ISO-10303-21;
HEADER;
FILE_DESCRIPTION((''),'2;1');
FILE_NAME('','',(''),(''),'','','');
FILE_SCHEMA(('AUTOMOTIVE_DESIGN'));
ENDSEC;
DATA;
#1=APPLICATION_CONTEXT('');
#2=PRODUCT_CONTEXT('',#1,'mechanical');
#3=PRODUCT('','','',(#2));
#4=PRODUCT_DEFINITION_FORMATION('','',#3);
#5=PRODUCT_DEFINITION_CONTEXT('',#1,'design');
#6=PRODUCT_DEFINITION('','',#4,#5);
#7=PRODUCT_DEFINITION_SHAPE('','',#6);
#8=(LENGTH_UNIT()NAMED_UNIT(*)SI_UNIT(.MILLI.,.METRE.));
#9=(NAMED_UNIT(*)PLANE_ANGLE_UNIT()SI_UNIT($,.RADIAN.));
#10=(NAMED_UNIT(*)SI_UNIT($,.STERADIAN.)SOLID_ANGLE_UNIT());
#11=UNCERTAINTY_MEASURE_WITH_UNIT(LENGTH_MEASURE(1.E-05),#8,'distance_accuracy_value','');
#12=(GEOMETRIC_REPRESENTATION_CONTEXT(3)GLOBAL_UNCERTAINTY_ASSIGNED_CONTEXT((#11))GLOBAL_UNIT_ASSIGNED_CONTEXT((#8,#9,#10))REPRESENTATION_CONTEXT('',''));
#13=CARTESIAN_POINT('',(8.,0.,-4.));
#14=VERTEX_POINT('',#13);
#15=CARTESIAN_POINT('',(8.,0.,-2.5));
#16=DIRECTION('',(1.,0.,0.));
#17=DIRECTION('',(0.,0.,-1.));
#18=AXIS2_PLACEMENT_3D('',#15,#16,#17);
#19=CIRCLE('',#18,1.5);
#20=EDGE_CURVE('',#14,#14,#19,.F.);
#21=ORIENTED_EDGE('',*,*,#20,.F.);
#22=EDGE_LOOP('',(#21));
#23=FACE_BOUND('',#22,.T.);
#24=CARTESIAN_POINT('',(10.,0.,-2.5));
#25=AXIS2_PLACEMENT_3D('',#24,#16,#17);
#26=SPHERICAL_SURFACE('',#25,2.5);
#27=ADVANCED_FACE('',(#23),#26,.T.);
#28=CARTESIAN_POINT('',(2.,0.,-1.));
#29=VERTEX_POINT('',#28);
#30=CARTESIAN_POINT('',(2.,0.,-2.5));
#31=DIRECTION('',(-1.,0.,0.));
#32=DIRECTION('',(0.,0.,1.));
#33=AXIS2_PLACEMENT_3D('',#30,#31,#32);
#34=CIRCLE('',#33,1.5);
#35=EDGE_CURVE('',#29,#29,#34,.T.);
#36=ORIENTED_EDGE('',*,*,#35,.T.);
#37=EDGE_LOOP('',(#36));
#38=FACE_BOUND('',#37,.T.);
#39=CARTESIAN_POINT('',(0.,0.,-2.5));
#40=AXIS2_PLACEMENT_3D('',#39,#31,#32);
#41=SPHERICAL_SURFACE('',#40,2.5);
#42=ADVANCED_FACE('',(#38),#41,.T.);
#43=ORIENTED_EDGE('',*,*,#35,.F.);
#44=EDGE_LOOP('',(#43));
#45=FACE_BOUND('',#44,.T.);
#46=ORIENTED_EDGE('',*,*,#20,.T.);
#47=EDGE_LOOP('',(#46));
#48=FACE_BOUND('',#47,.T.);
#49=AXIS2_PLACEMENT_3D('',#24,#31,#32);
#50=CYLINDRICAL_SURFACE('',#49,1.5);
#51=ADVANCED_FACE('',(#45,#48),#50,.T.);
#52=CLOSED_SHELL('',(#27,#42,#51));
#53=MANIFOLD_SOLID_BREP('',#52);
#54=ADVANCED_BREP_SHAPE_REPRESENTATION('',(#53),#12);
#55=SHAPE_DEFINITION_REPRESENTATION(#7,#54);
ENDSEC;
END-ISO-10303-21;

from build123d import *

# Parameters (mm, degrees)
SKETCH5_R   = 1.5
SHAFT_DEPTH = 10


with BuildPart() as part:
    # Sketch4 → Semi-circle Revolve (revolve)
    with BuildSketch(Plane(origin=(0, 0, 0), x_dir=(0, 0, -1), z_dir=(1, 0, 0))):
        with BuildLine():
            Line((0, 0), (2.5, 0))
            Line((2.5, 0), (2.5, -2.5))
            ThreePointArc((2.5, -2.5), (0.732233047, -1.767766953), (0, 0))
        make_face()
    semi_circle_revolve = revolve(axis=Axis((0, 0, -2.5), (0, -1, 0)))

    # Full-circle Mirror: Semi-circle Revolve across plane
    add(semi_circle_revolve.mirror(Plane(origin=(0, 0, 0), x_dir=(0, 0, 1), z_dir=(0, -1, 0))))

    # Sketch5 → Shaft (add)
    with BuildSketch(Plane(origin=(0, 0, 0), x_dir=(0, 0, -1), z_dir=(1, 0, 0))):
        with Locations(Location((2.5, 0, 0), (0, 0, 180))):
            Circle(SKETCH5_R)
    extrude(amount=SHAFT_DEPTH)

    # Sketch6 → Opposite Semi-circle Revolve (revolve)
    with BuildSketch(Plane(origin=(10, 0, 0), x_dir=(0, 0, -1), z_dir=(1, 0, 0))):
        with BuildLine():
            Line((0, 0), (2.5, 0))
            Line((2.5, 0), (2.5, -2.5))
            ThreePointArc((2.5, -2.5), (0.732233047, -1.767766953), (0, 0))
        make_face()
    opposite_semi_circle_revolve = revolve(axis=Axis((10, 0, -2.5), (0, -1, 0)))

    # Opposite Full-circle Mirror: Opposite Semi-circle Revolve across plane
    add(opposite_semi_circle_revolve.mirror(Plane(origin=(10, 0, 0), x_dir=(0, 0, 1), z_dir=(0, 1, 0))))


solid = part.part
